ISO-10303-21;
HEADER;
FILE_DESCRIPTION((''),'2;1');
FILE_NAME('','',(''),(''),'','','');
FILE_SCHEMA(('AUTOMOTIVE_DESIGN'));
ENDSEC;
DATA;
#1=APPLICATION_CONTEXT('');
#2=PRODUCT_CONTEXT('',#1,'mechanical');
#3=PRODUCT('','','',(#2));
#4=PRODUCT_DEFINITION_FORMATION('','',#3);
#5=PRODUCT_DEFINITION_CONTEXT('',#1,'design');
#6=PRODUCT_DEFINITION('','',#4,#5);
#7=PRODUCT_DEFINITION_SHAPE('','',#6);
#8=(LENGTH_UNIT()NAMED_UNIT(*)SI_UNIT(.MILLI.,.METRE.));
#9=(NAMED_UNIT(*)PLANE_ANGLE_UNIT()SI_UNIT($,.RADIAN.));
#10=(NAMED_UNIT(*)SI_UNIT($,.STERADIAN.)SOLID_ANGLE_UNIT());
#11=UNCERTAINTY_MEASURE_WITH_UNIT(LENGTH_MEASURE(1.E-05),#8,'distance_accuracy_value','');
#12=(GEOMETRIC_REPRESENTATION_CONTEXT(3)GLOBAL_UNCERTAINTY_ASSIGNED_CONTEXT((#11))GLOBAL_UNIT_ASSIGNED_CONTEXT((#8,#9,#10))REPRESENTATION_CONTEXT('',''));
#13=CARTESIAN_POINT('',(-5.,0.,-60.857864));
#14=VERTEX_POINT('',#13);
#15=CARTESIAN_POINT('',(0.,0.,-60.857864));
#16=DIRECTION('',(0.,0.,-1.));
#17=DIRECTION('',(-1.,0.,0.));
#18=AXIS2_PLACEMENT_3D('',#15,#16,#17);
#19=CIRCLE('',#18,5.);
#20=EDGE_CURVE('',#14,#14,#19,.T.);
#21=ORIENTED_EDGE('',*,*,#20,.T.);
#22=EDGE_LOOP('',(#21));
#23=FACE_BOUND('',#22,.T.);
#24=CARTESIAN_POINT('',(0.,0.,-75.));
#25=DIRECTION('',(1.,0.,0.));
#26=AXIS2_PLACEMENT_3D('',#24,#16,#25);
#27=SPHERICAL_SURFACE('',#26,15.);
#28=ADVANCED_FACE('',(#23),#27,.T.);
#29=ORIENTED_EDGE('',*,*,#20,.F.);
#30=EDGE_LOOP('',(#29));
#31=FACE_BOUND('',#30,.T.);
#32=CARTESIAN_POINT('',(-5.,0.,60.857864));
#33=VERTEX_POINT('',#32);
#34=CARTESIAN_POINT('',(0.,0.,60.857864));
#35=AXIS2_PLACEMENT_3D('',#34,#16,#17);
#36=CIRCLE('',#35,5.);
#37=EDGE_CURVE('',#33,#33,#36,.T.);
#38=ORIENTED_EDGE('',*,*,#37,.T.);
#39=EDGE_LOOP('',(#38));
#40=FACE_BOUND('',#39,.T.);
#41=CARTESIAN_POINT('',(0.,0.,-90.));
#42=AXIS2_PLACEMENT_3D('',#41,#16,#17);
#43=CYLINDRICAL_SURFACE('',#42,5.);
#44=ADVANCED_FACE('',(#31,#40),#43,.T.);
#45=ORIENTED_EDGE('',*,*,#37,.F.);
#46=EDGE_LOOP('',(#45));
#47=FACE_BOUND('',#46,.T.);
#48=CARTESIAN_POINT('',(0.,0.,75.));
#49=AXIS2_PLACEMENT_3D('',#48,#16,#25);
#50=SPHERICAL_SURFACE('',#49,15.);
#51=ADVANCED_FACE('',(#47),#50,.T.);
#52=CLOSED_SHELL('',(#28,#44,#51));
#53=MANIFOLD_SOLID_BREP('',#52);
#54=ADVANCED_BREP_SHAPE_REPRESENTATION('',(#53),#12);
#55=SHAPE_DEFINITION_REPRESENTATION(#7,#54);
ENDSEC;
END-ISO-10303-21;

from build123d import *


with BuildPart() as part:
    # Sketch1 → Revolve1 (revolve)
    with BuildSketch(Plane(origin=(0, 0, 0), x_dir=(1, 0, 0), z_dir=(0, 1, 0))):
        with BuildLine():
            Line((0, 90), (0, -90))
            ThreePointArc((0, -90), (14.783978395, -77.536529681), (5, -60.857864376))
            Line((5, -60.857864376), (5, 60.857864376))
            ThreePointArc((5, 60.857864376), (14.783978395, 77.536529681), (0, 90))
        make_face()
    revolve(axis=Axis((0, 0, -90), (0, 0, 1)))


solid = part.part
